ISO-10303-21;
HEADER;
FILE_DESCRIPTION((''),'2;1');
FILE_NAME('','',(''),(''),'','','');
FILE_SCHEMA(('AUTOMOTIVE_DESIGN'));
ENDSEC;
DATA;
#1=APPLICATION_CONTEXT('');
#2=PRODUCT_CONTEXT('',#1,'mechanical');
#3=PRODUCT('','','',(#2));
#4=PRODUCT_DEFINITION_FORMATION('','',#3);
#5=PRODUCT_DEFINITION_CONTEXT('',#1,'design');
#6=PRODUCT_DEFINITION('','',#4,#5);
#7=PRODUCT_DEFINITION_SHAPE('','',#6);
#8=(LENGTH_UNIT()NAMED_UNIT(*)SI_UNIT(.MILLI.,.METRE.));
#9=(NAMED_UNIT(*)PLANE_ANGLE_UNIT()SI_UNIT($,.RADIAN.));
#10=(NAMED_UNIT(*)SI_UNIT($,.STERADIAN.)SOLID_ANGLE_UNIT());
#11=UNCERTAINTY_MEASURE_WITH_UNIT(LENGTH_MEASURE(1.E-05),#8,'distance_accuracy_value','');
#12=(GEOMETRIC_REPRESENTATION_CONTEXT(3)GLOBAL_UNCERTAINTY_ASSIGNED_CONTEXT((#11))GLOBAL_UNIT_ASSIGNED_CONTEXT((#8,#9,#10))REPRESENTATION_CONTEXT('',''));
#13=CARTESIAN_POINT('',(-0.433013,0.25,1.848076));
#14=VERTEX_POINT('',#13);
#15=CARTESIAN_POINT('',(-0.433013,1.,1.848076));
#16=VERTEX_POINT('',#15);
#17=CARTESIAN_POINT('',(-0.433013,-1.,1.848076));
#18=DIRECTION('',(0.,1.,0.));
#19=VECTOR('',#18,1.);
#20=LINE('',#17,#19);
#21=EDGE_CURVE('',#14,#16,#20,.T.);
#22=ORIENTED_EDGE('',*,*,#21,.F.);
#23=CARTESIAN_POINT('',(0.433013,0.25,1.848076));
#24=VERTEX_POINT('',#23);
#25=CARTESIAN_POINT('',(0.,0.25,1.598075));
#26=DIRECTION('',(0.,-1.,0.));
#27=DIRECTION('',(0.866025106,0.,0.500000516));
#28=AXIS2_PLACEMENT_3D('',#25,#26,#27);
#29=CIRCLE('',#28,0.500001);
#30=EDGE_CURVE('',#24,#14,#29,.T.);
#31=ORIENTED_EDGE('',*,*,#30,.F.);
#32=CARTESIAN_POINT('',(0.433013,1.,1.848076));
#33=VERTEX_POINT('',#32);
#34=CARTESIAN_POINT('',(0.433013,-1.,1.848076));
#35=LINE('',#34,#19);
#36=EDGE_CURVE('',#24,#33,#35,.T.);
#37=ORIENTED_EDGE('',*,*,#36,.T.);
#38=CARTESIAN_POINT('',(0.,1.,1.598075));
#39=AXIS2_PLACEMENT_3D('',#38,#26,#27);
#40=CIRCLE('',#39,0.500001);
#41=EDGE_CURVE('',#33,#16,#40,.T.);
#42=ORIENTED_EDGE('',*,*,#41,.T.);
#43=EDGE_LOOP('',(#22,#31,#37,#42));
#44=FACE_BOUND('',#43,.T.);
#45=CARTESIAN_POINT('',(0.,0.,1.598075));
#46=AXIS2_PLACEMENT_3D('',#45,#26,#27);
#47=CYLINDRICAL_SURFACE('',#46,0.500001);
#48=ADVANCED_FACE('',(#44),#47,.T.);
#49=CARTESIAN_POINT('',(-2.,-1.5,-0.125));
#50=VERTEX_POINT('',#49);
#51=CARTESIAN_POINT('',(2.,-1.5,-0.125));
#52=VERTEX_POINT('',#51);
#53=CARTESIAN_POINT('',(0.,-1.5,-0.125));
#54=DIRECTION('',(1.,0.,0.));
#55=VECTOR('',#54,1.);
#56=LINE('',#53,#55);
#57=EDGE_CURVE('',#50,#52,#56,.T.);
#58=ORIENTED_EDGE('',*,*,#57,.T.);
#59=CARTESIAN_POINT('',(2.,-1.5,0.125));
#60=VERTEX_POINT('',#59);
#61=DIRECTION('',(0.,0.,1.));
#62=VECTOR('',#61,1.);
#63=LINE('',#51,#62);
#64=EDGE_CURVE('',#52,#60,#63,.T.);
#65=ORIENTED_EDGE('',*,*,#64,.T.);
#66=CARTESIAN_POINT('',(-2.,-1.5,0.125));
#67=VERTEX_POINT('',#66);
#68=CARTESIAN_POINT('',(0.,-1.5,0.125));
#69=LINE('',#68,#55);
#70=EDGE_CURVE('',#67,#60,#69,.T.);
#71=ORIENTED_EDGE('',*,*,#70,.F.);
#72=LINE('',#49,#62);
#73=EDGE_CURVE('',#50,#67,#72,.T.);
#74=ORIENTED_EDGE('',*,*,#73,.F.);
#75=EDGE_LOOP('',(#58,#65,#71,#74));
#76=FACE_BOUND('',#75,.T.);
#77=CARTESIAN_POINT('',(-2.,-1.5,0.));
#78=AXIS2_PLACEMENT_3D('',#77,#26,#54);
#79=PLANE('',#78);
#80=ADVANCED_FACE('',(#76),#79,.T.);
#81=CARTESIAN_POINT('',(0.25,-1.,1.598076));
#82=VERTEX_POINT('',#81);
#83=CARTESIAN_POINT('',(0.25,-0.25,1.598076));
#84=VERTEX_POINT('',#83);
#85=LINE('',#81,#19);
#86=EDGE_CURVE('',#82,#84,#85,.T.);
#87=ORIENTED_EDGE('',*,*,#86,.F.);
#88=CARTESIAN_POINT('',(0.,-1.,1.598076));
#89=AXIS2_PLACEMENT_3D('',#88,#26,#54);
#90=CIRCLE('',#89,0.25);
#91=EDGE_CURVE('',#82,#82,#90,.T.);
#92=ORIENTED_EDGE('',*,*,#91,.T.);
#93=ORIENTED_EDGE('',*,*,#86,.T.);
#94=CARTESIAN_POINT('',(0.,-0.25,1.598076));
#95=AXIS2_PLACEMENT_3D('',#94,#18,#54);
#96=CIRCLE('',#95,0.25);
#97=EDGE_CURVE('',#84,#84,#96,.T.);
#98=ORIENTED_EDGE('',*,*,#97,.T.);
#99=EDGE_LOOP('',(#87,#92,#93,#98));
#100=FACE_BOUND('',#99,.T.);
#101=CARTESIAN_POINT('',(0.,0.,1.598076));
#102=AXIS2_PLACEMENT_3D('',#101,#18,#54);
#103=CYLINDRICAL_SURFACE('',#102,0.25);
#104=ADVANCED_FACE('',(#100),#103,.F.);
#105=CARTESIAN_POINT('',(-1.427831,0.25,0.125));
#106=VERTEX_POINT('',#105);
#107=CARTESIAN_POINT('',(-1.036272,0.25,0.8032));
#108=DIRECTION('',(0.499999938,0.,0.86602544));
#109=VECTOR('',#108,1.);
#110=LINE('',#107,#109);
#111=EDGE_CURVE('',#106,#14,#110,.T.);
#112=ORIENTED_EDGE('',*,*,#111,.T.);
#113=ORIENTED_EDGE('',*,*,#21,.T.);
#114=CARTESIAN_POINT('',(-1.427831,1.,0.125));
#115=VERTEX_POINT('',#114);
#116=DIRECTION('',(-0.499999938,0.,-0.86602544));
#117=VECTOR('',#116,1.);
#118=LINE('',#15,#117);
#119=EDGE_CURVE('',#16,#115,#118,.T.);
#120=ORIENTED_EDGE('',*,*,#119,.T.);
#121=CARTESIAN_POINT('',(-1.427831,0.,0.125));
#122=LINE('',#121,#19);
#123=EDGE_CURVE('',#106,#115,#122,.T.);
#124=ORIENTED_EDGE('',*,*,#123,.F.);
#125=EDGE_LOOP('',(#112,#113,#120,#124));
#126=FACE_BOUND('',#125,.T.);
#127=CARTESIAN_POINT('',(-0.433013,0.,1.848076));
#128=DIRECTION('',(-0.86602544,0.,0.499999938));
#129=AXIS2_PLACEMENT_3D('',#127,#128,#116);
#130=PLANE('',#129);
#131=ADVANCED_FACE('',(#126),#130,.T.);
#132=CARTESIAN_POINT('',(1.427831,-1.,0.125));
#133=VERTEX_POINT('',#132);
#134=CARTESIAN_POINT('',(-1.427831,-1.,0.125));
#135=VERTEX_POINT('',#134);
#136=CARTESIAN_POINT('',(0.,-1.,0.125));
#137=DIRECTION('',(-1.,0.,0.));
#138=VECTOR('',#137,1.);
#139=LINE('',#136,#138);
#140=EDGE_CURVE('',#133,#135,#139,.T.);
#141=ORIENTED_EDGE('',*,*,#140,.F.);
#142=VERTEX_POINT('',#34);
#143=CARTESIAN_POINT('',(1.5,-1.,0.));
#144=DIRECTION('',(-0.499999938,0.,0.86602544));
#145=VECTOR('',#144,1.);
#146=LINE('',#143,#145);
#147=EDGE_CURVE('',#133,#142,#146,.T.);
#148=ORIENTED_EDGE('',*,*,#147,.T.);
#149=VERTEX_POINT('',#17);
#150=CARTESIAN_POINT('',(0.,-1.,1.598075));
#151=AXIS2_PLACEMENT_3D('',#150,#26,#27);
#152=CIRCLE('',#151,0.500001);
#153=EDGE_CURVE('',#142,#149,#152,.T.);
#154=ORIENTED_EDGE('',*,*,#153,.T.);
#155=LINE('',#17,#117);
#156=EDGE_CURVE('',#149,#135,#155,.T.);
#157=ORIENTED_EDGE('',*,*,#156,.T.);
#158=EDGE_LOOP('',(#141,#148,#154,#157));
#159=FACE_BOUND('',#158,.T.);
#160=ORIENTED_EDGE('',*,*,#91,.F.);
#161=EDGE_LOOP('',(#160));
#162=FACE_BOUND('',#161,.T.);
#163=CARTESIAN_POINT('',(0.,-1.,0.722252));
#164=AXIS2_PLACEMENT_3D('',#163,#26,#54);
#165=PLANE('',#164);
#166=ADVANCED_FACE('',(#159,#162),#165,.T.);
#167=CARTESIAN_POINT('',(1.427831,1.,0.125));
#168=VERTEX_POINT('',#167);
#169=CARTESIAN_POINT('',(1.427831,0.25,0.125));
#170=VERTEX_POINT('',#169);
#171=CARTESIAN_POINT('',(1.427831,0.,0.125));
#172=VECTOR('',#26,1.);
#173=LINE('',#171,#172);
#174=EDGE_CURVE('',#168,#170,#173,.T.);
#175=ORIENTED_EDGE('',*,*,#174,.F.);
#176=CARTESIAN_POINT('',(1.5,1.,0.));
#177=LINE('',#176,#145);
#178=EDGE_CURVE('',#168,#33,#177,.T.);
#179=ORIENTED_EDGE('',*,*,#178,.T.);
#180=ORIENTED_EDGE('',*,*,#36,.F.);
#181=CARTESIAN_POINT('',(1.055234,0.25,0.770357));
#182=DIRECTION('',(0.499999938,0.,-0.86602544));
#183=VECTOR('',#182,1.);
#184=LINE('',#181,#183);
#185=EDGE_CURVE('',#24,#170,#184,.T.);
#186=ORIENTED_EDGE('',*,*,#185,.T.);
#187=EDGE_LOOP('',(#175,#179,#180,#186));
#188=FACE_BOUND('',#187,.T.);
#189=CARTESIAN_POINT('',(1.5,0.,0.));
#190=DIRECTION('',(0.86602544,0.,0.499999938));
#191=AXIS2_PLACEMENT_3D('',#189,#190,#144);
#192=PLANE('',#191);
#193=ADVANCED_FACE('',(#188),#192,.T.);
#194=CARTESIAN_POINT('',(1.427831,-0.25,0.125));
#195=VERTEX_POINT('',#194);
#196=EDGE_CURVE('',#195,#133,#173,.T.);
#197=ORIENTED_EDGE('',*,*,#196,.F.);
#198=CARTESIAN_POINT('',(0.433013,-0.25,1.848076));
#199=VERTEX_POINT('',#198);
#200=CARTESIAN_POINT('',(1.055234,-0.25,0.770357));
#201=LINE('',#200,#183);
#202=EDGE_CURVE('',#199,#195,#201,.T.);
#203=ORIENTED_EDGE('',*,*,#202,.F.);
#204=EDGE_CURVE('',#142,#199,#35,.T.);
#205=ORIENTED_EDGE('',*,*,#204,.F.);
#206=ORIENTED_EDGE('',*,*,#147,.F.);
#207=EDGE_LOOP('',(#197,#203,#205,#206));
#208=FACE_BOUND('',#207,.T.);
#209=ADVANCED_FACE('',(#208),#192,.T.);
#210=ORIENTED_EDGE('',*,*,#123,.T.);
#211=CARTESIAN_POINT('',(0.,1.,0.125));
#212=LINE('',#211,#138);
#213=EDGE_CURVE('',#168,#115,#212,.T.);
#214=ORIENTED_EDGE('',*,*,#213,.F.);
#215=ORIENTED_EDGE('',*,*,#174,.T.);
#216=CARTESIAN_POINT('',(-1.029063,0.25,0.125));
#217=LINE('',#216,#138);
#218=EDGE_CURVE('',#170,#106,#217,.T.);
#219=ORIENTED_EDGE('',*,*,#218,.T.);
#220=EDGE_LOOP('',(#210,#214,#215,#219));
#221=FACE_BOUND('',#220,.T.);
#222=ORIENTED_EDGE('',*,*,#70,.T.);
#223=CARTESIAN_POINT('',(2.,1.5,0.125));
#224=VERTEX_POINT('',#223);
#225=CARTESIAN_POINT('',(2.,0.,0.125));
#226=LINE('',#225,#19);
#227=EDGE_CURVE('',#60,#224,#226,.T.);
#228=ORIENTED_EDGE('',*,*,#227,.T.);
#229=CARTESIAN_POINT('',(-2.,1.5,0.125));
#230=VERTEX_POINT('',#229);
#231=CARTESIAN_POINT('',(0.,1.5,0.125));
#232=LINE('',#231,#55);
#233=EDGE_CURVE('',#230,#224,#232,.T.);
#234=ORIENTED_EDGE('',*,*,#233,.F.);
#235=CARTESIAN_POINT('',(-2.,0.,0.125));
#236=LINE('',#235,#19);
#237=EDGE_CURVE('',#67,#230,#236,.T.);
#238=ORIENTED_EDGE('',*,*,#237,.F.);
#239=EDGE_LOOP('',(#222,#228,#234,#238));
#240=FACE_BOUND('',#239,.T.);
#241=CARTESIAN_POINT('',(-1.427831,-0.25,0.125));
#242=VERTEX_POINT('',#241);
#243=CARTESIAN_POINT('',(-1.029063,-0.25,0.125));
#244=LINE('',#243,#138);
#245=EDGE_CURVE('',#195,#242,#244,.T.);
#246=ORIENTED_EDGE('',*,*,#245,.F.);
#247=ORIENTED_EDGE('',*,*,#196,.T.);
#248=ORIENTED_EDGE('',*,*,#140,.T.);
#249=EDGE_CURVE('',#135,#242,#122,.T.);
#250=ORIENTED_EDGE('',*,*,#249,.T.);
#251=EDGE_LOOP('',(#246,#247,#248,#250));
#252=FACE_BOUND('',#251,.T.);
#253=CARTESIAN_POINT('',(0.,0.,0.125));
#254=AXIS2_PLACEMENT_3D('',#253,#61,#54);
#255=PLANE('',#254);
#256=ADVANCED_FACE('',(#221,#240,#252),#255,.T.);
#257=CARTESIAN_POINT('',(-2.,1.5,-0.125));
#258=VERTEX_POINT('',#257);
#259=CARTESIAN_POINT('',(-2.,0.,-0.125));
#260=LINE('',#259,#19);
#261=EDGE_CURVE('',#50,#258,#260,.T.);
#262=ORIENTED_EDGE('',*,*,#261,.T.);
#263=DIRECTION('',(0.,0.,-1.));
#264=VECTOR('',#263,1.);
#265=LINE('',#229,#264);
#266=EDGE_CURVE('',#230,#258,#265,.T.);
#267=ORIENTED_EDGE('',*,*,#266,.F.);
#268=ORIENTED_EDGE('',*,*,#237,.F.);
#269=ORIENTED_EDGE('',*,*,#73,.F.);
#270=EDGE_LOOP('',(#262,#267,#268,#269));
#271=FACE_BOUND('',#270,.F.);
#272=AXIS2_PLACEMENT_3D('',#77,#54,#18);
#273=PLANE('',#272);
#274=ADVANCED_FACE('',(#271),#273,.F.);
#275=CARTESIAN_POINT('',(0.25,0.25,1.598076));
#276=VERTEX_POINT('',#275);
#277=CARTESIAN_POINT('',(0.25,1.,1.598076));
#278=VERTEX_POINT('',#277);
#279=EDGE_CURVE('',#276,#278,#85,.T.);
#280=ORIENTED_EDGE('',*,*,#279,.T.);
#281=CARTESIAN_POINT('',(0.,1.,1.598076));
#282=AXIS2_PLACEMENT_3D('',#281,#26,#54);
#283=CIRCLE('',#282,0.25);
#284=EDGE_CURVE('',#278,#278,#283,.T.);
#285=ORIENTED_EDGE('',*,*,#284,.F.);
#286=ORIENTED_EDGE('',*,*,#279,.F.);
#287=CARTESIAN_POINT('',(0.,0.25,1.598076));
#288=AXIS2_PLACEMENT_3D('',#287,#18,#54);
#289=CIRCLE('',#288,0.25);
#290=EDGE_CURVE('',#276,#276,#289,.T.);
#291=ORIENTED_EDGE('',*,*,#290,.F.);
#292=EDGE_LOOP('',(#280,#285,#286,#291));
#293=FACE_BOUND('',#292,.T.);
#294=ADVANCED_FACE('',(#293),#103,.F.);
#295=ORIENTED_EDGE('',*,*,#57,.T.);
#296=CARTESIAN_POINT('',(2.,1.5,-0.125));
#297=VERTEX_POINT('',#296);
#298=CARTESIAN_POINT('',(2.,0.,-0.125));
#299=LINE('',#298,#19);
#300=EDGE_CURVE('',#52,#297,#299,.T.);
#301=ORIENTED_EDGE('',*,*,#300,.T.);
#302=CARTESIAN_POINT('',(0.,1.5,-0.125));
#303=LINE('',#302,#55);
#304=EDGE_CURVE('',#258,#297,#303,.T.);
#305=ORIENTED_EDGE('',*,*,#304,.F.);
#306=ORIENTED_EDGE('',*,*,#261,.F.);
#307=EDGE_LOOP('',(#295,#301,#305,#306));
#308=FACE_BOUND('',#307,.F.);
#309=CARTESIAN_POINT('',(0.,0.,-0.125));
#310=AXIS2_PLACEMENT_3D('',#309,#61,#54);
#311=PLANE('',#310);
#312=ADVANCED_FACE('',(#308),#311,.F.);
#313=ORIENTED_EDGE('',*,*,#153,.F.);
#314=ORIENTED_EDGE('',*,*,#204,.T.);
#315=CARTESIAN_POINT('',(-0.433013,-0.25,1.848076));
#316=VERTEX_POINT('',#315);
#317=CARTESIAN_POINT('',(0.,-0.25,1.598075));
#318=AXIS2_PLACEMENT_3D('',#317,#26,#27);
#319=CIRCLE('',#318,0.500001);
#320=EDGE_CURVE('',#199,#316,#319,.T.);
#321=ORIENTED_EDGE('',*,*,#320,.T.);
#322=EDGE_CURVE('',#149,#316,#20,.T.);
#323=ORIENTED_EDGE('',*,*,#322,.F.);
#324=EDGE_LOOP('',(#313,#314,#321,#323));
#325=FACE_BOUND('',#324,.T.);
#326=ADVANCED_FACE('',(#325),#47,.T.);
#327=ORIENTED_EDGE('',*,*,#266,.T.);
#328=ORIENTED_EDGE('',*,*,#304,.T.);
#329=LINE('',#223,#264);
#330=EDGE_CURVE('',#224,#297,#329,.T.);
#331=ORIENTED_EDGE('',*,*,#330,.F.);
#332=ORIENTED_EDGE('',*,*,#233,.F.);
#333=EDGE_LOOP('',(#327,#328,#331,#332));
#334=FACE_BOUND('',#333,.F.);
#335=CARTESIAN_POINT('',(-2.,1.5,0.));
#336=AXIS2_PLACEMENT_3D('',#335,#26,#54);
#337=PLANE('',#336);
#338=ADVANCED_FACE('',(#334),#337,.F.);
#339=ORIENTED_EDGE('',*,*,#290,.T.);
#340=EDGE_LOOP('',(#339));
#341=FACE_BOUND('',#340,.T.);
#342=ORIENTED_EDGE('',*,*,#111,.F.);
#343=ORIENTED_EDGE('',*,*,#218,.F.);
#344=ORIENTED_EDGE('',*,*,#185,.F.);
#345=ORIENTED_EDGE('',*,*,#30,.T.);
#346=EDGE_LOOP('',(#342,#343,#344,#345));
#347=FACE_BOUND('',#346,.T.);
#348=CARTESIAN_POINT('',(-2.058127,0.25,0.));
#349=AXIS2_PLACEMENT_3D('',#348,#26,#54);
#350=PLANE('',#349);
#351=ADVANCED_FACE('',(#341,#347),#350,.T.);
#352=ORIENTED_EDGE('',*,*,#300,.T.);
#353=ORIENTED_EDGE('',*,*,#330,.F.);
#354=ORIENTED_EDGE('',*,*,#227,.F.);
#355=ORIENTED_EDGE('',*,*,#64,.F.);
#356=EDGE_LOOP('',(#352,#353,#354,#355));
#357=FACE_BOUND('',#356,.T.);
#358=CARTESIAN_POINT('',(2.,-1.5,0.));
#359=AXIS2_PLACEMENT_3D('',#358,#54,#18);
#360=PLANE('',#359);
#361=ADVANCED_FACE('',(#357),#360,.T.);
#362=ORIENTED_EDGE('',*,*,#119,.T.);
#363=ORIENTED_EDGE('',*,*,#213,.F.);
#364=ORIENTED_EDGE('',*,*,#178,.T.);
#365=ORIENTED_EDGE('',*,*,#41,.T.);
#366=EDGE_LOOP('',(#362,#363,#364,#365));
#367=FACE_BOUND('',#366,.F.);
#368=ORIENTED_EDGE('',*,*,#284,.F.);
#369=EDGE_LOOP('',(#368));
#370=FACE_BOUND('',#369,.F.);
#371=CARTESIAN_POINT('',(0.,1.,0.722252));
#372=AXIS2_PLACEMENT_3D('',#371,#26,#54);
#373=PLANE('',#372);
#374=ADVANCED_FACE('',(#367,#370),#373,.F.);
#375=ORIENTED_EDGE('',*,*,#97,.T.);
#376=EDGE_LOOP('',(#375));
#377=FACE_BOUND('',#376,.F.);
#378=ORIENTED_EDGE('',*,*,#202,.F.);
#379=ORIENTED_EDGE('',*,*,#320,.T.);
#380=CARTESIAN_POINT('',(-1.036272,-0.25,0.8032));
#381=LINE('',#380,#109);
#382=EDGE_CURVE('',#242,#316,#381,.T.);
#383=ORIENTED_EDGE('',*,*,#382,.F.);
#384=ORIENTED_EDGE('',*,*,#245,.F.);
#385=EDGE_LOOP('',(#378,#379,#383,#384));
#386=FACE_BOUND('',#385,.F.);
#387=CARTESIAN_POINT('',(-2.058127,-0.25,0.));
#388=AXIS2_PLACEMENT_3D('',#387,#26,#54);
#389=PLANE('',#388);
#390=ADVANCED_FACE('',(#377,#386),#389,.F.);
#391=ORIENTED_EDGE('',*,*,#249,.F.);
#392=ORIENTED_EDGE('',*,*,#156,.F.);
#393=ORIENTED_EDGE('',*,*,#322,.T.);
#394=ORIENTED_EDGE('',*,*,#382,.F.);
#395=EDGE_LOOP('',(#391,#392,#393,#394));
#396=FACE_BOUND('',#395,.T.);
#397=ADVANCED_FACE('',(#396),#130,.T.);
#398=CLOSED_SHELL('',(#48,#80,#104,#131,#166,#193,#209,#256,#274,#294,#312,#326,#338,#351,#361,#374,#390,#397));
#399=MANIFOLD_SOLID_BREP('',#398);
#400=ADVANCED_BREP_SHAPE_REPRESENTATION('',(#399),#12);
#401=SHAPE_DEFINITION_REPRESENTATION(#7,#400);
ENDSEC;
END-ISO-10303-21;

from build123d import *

# Parameters (mm, degrees)
F0_R     = 0.25
F1_DEPTH = 1
F2_W     = 4.116254
F2_H     = 0.5
F3_DEPTH = 12.5
F4_W     = 4
F4_H     = 3
F5_DEPTH = 0.125


with BuildPart() as f1:
    # F0 (on Front) → F1 (new body, symmetric)
    with BuildSketch(Plane.XZ):
        with BuildLine():
            Line((-0.433013, 1.848076), (-1.5, 0))
            Line((-1.5, 0), (1.5, 0))
            Line((1.5, 0), (0.433013, 1.848076))
            ThreePointArc((0.433013, 1.848076), (0, 2.098076), (-0.433013, 1.848076))
        make_face()
        with Locations((0, 1.598076)):
            Circle(F0_R, mode=Mode.SUBTRACT)
    extrude(amount=F1_DEPTH, both=True)

    # F2 (on Top) → F3 (cut, symmetric)
    with BuildSketch(Plane.XY):
        Rectangle(F2_W, F2_H)
    extrude(amount=F3_DEPTH, both=True, mode=Mode.SUBTRACT)

    # F4 (on Top) → F5 (join, symmetric)
    with BuildSketch(Plane.XY):
        Rectangle(F4_W, F4_H)
    extrude(amount=F5_DEPTH, both=True)


solid = f1.part
